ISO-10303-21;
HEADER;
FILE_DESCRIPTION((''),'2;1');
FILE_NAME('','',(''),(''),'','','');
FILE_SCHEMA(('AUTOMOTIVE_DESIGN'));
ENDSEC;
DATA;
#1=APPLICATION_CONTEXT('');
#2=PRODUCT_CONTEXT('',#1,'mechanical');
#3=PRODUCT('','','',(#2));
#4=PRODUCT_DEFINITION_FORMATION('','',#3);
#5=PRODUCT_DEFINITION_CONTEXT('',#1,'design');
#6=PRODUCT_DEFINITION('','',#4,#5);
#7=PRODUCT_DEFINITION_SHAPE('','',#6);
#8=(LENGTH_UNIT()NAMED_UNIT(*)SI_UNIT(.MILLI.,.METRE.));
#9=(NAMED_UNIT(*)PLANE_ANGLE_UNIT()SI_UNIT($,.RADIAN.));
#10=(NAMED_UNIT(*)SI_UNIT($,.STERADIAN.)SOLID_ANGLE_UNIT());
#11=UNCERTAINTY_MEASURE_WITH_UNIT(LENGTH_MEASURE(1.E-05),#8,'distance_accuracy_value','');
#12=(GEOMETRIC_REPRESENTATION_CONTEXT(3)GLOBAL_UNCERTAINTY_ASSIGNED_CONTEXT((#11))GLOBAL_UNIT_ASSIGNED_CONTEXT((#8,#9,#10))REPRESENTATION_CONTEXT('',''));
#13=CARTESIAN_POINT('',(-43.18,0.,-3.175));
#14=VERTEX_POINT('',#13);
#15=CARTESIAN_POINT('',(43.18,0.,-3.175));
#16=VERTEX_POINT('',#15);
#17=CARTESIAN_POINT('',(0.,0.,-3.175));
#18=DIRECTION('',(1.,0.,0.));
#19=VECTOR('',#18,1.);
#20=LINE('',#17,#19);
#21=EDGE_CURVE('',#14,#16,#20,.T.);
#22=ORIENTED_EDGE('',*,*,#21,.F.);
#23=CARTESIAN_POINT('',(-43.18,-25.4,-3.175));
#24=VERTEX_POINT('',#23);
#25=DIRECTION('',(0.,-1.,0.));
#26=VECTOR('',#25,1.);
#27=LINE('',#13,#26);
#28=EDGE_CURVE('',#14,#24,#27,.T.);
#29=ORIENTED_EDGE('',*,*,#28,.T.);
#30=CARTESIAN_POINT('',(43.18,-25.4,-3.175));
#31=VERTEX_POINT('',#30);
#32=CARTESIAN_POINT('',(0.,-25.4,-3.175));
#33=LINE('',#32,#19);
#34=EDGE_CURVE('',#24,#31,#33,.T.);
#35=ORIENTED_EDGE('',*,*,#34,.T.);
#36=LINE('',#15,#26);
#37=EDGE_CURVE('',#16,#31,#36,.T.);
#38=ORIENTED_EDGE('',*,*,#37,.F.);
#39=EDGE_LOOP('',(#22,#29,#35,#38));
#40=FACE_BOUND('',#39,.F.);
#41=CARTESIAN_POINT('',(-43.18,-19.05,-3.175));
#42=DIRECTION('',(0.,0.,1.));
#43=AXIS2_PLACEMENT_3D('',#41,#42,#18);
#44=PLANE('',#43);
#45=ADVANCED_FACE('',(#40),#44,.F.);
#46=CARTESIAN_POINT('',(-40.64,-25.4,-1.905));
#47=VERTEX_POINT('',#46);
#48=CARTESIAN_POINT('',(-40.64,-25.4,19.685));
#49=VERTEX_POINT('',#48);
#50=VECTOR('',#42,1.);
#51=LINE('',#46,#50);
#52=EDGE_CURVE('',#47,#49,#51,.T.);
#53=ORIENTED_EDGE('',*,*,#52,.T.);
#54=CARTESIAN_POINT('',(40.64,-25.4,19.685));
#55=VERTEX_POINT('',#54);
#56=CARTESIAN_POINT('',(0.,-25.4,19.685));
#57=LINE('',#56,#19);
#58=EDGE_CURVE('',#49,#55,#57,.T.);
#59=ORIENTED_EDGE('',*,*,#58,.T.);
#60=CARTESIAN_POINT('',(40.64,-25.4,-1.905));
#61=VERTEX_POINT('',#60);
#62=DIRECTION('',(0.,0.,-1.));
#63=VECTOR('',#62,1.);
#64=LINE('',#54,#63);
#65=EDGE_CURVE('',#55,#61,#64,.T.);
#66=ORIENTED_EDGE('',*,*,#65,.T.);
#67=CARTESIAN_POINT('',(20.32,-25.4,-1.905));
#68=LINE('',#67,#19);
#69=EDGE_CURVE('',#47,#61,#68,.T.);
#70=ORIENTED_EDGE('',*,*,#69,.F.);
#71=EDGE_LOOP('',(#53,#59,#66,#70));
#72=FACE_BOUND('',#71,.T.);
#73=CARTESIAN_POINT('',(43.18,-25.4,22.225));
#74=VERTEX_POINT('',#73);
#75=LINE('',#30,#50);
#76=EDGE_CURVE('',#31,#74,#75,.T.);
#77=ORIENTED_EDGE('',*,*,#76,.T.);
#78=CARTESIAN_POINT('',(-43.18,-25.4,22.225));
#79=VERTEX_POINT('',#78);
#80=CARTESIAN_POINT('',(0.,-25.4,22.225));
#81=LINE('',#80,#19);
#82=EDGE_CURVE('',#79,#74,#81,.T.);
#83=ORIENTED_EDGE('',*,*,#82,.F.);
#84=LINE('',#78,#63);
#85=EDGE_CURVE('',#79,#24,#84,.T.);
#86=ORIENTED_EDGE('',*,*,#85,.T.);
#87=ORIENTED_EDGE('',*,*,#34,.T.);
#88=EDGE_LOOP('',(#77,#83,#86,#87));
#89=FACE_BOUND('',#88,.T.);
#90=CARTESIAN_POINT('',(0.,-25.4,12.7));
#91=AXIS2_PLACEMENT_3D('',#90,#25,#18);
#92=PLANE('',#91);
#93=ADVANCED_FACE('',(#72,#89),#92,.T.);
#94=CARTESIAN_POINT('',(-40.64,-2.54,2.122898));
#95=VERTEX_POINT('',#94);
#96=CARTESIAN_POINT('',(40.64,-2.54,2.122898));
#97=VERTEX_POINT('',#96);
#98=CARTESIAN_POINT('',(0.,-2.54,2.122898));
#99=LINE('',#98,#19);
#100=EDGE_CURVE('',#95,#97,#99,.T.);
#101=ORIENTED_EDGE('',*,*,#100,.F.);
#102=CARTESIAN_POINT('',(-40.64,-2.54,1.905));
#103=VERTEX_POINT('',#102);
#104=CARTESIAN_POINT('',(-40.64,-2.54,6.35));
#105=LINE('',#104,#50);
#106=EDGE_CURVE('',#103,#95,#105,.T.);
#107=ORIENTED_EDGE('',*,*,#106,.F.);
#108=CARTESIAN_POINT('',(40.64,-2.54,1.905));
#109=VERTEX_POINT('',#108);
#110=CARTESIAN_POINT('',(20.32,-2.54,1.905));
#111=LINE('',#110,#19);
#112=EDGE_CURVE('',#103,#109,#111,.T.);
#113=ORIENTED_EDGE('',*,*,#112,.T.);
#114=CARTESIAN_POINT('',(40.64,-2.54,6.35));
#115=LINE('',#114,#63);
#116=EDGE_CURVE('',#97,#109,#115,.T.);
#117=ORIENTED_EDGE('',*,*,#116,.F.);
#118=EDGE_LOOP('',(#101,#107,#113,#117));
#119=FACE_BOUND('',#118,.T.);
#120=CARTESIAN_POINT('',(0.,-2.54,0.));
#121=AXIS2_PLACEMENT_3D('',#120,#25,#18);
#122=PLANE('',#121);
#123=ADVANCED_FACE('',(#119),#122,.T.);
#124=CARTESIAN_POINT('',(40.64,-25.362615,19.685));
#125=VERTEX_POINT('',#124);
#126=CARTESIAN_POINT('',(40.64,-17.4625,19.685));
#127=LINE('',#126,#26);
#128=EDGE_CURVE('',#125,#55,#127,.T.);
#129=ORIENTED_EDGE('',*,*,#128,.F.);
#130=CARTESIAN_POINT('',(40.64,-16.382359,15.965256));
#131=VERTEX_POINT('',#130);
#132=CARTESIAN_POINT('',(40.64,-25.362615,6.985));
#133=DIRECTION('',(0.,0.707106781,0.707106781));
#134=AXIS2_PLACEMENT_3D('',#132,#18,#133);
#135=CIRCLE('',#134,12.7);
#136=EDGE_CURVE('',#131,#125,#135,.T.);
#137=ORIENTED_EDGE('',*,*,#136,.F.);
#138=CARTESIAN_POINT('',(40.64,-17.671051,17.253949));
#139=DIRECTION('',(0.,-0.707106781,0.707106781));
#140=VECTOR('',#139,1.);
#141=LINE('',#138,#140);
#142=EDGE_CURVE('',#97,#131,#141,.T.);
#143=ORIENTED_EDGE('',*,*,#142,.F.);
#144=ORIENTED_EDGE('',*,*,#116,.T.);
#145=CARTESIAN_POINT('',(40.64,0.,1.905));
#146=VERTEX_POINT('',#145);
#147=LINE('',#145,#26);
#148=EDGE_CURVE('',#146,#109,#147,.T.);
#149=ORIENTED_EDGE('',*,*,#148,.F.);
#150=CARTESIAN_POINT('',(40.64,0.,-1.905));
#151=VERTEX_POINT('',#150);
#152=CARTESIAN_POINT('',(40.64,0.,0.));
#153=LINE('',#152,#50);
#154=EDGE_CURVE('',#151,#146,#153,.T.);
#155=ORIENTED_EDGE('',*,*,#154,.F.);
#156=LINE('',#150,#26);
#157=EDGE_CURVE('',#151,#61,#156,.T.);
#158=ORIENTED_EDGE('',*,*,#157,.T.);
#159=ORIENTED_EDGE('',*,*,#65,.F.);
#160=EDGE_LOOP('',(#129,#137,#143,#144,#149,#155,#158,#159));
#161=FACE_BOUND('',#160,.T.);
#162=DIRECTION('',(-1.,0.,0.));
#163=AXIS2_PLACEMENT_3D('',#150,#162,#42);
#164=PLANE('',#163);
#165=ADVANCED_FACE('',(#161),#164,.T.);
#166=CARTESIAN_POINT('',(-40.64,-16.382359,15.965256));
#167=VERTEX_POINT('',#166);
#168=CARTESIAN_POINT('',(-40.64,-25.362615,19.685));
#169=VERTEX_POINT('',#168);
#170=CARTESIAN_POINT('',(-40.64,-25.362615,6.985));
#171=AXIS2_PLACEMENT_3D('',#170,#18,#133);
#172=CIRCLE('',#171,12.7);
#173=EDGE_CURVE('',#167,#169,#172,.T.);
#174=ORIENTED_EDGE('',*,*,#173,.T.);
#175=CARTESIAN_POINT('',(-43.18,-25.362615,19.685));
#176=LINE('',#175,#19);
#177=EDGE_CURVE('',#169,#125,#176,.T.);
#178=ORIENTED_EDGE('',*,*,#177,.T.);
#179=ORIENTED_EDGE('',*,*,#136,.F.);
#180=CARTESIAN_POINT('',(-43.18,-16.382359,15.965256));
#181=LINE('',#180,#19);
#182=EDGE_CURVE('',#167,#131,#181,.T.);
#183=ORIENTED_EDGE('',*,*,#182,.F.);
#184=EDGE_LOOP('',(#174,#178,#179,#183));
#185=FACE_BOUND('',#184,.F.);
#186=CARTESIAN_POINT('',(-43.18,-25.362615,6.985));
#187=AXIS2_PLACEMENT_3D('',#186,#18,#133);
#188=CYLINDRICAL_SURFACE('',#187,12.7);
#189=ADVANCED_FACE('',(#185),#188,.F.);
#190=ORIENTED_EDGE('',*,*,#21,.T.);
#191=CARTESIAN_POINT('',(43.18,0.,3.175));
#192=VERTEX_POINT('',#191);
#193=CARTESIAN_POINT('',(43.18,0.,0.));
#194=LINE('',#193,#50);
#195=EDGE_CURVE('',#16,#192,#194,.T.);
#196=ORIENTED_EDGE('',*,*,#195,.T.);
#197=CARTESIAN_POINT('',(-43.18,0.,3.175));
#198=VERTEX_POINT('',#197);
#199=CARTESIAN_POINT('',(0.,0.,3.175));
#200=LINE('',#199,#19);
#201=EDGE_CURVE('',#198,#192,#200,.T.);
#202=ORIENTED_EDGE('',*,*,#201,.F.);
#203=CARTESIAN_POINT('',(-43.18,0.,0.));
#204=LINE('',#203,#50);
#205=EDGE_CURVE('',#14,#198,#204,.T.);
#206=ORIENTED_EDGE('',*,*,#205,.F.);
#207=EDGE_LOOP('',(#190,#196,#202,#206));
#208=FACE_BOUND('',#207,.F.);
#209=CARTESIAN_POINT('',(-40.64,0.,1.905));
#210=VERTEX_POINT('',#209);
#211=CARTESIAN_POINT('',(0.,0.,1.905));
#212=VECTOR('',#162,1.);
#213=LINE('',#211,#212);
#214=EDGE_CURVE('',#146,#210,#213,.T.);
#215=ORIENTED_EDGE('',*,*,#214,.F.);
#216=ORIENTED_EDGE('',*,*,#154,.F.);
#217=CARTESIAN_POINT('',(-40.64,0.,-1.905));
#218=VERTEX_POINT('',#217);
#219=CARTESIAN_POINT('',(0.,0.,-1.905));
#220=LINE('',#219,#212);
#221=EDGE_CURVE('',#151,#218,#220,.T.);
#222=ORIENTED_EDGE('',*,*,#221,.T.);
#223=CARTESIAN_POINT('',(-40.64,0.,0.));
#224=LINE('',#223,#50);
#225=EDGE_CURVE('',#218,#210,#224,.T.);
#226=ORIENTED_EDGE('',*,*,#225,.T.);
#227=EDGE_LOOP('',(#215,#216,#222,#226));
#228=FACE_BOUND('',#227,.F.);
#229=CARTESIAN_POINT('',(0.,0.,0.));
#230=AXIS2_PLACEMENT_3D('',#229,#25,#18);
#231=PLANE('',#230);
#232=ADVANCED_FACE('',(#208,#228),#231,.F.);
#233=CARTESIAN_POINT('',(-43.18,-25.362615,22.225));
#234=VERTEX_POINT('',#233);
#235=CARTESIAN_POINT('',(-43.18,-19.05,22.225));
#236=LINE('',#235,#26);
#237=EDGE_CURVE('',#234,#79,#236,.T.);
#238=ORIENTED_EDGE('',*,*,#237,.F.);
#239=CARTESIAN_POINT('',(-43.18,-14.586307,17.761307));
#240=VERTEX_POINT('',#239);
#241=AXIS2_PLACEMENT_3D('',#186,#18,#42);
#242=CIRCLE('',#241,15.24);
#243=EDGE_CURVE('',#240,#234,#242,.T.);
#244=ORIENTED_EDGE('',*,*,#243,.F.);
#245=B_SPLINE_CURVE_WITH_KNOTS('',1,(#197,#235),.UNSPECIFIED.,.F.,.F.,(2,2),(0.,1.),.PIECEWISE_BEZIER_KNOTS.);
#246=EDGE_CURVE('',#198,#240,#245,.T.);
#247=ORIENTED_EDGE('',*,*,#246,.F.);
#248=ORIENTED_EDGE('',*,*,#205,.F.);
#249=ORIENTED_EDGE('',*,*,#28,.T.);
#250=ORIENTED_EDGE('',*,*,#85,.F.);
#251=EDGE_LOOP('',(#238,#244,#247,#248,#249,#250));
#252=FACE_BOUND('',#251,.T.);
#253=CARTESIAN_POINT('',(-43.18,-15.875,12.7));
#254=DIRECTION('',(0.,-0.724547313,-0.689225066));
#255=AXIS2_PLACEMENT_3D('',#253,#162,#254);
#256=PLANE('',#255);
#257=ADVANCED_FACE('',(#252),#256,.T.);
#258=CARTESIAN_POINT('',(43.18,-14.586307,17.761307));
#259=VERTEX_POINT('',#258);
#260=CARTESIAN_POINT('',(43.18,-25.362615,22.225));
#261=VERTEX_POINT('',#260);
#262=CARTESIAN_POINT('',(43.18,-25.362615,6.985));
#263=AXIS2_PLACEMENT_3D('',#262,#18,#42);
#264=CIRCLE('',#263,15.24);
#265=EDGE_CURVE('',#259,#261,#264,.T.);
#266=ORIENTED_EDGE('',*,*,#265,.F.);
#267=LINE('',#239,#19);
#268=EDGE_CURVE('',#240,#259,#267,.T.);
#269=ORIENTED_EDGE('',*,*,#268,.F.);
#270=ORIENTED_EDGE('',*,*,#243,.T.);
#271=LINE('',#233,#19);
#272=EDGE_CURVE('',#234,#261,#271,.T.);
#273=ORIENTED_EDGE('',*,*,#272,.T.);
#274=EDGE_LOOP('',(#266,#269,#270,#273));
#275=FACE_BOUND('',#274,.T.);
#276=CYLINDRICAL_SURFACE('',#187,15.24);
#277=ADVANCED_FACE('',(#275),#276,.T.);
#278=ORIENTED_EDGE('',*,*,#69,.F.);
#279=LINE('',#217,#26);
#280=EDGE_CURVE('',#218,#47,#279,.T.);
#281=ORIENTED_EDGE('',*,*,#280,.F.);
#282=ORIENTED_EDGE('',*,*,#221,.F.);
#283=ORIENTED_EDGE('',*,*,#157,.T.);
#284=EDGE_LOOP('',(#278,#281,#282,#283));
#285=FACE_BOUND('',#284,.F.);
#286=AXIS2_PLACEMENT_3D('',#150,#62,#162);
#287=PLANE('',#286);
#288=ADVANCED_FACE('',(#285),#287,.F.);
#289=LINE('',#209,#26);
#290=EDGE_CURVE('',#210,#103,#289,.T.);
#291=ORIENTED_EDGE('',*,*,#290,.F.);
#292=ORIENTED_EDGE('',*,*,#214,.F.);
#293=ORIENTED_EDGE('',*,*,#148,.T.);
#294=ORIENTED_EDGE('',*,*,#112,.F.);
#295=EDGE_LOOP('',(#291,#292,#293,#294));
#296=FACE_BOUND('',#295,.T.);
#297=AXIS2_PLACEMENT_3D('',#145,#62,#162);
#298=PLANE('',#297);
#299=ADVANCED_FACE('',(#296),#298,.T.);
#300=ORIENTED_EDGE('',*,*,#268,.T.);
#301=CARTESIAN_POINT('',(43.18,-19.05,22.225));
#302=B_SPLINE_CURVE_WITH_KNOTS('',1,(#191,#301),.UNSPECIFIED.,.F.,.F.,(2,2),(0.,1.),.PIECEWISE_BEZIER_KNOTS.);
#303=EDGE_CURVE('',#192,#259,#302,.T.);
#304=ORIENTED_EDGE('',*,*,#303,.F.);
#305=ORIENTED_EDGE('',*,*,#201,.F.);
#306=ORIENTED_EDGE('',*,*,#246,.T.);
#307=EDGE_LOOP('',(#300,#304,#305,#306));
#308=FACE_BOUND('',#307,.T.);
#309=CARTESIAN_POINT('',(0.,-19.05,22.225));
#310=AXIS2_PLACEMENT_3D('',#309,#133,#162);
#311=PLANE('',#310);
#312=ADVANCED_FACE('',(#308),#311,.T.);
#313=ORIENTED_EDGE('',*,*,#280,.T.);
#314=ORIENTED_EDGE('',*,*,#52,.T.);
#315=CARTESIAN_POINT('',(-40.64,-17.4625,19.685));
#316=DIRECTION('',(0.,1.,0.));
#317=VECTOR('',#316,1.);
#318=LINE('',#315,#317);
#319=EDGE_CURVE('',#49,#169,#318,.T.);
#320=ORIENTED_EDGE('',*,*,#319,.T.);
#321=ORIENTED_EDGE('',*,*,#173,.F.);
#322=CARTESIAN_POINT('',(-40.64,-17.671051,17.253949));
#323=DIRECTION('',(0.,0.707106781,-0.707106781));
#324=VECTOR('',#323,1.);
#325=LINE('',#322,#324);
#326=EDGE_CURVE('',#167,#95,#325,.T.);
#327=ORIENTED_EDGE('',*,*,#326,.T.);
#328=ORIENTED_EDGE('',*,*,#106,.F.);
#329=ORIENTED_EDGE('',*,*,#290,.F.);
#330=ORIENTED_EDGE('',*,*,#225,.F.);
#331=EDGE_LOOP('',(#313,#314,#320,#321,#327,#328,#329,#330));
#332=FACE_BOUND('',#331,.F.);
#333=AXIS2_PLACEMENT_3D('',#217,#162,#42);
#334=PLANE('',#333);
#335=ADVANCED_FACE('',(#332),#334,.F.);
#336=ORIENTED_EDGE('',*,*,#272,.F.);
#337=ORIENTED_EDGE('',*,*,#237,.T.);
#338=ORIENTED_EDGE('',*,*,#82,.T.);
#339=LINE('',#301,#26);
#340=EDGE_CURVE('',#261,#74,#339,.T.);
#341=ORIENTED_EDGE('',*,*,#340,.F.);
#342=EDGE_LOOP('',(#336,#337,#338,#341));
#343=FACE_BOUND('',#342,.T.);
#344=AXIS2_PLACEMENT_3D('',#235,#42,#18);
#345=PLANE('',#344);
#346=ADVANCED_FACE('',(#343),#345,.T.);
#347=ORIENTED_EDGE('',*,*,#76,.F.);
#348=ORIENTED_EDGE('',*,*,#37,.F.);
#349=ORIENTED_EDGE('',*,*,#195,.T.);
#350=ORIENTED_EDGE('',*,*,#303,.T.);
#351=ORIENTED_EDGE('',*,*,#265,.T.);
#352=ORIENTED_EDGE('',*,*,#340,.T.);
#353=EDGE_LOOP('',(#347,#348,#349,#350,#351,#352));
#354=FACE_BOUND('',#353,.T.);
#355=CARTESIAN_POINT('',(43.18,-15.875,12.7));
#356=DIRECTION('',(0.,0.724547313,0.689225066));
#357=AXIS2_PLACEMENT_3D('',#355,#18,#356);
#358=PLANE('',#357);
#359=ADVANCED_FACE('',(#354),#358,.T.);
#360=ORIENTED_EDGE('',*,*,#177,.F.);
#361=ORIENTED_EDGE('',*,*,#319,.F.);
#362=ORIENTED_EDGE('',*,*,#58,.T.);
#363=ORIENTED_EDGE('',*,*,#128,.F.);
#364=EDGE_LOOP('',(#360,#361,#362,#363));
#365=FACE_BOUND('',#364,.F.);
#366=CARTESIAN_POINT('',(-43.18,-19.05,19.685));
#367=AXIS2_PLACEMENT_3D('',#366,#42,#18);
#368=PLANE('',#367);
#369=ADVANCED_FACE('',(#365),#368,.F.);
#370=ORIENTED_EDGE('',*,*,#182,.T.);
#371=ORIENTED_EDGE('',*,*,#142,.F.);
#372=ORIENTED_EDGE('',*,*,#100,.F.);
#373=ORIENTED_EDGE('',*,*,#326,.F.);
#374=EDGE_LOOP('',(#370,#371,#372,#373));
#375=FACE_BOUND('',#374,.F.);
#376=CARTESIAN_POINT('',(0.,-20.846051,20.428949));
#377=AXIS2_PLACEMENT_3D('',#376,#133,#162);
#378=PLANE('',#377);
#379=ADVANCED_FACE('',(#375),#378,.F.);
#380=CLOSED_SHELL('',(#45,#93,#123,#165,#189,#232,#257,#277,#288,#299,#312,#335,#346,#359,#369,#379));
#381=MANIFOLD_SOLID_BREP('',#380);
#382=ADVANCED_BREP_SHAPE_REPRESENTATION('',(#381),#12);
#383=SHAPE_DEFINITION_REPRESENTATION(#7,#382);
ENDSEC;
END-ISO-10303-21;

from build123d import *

# Parameters (mm, degrees)
F0_W       = 86.36
F0_H       = 6.35
F1_DEPTH   = 19.05
F2_W       = 86.36
F2_H       = 19.05
F2_H_2     = 6.35
F3_DEPTH   = 6.35
F1_FACE1_W = 86.36
F1_FACE1_H = 19.05
F3_FACE_W  = 86.36
F3_FACE_H  = 6.35
F5_R       = 15.24
F6_T       = -2.54
F7_W       = 81.28
F7_H       = 3.81
F8_DEPTH   = 25.4010001


with BuildPart() as f1:
    # F0 (on Front) → F1 (new body)
    with BuildSketch(Plane.XZ):
        Rectangle(F0_W, F0_H)
    extrude(amount=F1_DEPTH)

    # F2 (on face) → F3 (join)
    with BuildSketch(Plane.XZ.offset(19.05)):
        with Locations((0, 12.7)):
            Rectangle(F2_W, F2_H)
        Rectangle(F2_W, F2_H_2)
    extrude(amount=F3_DEPTH)

    # F1_face1 (on face) → F4 section 0
    with BuildSketch(Plane(origin=(0, -9.525, 3.175), x_dir=(1, 0, 0), z_dir=(0, 0, 1))):
        Rectangle(F1_FACE1_W, F1_FACE1_H)
    # F3_face (on face) → F4 section 1
    with BuildSketch(Plane(origin=(0, -22.225, 22.225), x_dir=(1, 0, 0), z_dir=(0, 0, 1))):
        Rectangle(F3_FACE_W, F3_FACE_H)
    loft()

    # F5
    f5_edges = [f1.edges().sort_by_distance(p)[0] for p in [
        (0, -19.05, 22.225),
    ]]
    fillet(f5_edges, radius=F5_R)

    # F6
    f6_openings = [f1.faces().sort_by_distance(p)[0] for p in [
        (0, -25.4, 9.525),
    ]]
    offset(amount=F6_T, openings=f6_openings)

    # F7 (on face) → F8 (cut, through all)
    with BuildSketch(Plane(origin=(0, 0, 0), x_dir=(-1, 0, 0), z_dir=(0, 1, 0))):
        Rectangle(F7_W, F7_H)
    extrude(amount=-F8_DEPTH, mode=Mode.SUBTRACT)


solid = f1.part
